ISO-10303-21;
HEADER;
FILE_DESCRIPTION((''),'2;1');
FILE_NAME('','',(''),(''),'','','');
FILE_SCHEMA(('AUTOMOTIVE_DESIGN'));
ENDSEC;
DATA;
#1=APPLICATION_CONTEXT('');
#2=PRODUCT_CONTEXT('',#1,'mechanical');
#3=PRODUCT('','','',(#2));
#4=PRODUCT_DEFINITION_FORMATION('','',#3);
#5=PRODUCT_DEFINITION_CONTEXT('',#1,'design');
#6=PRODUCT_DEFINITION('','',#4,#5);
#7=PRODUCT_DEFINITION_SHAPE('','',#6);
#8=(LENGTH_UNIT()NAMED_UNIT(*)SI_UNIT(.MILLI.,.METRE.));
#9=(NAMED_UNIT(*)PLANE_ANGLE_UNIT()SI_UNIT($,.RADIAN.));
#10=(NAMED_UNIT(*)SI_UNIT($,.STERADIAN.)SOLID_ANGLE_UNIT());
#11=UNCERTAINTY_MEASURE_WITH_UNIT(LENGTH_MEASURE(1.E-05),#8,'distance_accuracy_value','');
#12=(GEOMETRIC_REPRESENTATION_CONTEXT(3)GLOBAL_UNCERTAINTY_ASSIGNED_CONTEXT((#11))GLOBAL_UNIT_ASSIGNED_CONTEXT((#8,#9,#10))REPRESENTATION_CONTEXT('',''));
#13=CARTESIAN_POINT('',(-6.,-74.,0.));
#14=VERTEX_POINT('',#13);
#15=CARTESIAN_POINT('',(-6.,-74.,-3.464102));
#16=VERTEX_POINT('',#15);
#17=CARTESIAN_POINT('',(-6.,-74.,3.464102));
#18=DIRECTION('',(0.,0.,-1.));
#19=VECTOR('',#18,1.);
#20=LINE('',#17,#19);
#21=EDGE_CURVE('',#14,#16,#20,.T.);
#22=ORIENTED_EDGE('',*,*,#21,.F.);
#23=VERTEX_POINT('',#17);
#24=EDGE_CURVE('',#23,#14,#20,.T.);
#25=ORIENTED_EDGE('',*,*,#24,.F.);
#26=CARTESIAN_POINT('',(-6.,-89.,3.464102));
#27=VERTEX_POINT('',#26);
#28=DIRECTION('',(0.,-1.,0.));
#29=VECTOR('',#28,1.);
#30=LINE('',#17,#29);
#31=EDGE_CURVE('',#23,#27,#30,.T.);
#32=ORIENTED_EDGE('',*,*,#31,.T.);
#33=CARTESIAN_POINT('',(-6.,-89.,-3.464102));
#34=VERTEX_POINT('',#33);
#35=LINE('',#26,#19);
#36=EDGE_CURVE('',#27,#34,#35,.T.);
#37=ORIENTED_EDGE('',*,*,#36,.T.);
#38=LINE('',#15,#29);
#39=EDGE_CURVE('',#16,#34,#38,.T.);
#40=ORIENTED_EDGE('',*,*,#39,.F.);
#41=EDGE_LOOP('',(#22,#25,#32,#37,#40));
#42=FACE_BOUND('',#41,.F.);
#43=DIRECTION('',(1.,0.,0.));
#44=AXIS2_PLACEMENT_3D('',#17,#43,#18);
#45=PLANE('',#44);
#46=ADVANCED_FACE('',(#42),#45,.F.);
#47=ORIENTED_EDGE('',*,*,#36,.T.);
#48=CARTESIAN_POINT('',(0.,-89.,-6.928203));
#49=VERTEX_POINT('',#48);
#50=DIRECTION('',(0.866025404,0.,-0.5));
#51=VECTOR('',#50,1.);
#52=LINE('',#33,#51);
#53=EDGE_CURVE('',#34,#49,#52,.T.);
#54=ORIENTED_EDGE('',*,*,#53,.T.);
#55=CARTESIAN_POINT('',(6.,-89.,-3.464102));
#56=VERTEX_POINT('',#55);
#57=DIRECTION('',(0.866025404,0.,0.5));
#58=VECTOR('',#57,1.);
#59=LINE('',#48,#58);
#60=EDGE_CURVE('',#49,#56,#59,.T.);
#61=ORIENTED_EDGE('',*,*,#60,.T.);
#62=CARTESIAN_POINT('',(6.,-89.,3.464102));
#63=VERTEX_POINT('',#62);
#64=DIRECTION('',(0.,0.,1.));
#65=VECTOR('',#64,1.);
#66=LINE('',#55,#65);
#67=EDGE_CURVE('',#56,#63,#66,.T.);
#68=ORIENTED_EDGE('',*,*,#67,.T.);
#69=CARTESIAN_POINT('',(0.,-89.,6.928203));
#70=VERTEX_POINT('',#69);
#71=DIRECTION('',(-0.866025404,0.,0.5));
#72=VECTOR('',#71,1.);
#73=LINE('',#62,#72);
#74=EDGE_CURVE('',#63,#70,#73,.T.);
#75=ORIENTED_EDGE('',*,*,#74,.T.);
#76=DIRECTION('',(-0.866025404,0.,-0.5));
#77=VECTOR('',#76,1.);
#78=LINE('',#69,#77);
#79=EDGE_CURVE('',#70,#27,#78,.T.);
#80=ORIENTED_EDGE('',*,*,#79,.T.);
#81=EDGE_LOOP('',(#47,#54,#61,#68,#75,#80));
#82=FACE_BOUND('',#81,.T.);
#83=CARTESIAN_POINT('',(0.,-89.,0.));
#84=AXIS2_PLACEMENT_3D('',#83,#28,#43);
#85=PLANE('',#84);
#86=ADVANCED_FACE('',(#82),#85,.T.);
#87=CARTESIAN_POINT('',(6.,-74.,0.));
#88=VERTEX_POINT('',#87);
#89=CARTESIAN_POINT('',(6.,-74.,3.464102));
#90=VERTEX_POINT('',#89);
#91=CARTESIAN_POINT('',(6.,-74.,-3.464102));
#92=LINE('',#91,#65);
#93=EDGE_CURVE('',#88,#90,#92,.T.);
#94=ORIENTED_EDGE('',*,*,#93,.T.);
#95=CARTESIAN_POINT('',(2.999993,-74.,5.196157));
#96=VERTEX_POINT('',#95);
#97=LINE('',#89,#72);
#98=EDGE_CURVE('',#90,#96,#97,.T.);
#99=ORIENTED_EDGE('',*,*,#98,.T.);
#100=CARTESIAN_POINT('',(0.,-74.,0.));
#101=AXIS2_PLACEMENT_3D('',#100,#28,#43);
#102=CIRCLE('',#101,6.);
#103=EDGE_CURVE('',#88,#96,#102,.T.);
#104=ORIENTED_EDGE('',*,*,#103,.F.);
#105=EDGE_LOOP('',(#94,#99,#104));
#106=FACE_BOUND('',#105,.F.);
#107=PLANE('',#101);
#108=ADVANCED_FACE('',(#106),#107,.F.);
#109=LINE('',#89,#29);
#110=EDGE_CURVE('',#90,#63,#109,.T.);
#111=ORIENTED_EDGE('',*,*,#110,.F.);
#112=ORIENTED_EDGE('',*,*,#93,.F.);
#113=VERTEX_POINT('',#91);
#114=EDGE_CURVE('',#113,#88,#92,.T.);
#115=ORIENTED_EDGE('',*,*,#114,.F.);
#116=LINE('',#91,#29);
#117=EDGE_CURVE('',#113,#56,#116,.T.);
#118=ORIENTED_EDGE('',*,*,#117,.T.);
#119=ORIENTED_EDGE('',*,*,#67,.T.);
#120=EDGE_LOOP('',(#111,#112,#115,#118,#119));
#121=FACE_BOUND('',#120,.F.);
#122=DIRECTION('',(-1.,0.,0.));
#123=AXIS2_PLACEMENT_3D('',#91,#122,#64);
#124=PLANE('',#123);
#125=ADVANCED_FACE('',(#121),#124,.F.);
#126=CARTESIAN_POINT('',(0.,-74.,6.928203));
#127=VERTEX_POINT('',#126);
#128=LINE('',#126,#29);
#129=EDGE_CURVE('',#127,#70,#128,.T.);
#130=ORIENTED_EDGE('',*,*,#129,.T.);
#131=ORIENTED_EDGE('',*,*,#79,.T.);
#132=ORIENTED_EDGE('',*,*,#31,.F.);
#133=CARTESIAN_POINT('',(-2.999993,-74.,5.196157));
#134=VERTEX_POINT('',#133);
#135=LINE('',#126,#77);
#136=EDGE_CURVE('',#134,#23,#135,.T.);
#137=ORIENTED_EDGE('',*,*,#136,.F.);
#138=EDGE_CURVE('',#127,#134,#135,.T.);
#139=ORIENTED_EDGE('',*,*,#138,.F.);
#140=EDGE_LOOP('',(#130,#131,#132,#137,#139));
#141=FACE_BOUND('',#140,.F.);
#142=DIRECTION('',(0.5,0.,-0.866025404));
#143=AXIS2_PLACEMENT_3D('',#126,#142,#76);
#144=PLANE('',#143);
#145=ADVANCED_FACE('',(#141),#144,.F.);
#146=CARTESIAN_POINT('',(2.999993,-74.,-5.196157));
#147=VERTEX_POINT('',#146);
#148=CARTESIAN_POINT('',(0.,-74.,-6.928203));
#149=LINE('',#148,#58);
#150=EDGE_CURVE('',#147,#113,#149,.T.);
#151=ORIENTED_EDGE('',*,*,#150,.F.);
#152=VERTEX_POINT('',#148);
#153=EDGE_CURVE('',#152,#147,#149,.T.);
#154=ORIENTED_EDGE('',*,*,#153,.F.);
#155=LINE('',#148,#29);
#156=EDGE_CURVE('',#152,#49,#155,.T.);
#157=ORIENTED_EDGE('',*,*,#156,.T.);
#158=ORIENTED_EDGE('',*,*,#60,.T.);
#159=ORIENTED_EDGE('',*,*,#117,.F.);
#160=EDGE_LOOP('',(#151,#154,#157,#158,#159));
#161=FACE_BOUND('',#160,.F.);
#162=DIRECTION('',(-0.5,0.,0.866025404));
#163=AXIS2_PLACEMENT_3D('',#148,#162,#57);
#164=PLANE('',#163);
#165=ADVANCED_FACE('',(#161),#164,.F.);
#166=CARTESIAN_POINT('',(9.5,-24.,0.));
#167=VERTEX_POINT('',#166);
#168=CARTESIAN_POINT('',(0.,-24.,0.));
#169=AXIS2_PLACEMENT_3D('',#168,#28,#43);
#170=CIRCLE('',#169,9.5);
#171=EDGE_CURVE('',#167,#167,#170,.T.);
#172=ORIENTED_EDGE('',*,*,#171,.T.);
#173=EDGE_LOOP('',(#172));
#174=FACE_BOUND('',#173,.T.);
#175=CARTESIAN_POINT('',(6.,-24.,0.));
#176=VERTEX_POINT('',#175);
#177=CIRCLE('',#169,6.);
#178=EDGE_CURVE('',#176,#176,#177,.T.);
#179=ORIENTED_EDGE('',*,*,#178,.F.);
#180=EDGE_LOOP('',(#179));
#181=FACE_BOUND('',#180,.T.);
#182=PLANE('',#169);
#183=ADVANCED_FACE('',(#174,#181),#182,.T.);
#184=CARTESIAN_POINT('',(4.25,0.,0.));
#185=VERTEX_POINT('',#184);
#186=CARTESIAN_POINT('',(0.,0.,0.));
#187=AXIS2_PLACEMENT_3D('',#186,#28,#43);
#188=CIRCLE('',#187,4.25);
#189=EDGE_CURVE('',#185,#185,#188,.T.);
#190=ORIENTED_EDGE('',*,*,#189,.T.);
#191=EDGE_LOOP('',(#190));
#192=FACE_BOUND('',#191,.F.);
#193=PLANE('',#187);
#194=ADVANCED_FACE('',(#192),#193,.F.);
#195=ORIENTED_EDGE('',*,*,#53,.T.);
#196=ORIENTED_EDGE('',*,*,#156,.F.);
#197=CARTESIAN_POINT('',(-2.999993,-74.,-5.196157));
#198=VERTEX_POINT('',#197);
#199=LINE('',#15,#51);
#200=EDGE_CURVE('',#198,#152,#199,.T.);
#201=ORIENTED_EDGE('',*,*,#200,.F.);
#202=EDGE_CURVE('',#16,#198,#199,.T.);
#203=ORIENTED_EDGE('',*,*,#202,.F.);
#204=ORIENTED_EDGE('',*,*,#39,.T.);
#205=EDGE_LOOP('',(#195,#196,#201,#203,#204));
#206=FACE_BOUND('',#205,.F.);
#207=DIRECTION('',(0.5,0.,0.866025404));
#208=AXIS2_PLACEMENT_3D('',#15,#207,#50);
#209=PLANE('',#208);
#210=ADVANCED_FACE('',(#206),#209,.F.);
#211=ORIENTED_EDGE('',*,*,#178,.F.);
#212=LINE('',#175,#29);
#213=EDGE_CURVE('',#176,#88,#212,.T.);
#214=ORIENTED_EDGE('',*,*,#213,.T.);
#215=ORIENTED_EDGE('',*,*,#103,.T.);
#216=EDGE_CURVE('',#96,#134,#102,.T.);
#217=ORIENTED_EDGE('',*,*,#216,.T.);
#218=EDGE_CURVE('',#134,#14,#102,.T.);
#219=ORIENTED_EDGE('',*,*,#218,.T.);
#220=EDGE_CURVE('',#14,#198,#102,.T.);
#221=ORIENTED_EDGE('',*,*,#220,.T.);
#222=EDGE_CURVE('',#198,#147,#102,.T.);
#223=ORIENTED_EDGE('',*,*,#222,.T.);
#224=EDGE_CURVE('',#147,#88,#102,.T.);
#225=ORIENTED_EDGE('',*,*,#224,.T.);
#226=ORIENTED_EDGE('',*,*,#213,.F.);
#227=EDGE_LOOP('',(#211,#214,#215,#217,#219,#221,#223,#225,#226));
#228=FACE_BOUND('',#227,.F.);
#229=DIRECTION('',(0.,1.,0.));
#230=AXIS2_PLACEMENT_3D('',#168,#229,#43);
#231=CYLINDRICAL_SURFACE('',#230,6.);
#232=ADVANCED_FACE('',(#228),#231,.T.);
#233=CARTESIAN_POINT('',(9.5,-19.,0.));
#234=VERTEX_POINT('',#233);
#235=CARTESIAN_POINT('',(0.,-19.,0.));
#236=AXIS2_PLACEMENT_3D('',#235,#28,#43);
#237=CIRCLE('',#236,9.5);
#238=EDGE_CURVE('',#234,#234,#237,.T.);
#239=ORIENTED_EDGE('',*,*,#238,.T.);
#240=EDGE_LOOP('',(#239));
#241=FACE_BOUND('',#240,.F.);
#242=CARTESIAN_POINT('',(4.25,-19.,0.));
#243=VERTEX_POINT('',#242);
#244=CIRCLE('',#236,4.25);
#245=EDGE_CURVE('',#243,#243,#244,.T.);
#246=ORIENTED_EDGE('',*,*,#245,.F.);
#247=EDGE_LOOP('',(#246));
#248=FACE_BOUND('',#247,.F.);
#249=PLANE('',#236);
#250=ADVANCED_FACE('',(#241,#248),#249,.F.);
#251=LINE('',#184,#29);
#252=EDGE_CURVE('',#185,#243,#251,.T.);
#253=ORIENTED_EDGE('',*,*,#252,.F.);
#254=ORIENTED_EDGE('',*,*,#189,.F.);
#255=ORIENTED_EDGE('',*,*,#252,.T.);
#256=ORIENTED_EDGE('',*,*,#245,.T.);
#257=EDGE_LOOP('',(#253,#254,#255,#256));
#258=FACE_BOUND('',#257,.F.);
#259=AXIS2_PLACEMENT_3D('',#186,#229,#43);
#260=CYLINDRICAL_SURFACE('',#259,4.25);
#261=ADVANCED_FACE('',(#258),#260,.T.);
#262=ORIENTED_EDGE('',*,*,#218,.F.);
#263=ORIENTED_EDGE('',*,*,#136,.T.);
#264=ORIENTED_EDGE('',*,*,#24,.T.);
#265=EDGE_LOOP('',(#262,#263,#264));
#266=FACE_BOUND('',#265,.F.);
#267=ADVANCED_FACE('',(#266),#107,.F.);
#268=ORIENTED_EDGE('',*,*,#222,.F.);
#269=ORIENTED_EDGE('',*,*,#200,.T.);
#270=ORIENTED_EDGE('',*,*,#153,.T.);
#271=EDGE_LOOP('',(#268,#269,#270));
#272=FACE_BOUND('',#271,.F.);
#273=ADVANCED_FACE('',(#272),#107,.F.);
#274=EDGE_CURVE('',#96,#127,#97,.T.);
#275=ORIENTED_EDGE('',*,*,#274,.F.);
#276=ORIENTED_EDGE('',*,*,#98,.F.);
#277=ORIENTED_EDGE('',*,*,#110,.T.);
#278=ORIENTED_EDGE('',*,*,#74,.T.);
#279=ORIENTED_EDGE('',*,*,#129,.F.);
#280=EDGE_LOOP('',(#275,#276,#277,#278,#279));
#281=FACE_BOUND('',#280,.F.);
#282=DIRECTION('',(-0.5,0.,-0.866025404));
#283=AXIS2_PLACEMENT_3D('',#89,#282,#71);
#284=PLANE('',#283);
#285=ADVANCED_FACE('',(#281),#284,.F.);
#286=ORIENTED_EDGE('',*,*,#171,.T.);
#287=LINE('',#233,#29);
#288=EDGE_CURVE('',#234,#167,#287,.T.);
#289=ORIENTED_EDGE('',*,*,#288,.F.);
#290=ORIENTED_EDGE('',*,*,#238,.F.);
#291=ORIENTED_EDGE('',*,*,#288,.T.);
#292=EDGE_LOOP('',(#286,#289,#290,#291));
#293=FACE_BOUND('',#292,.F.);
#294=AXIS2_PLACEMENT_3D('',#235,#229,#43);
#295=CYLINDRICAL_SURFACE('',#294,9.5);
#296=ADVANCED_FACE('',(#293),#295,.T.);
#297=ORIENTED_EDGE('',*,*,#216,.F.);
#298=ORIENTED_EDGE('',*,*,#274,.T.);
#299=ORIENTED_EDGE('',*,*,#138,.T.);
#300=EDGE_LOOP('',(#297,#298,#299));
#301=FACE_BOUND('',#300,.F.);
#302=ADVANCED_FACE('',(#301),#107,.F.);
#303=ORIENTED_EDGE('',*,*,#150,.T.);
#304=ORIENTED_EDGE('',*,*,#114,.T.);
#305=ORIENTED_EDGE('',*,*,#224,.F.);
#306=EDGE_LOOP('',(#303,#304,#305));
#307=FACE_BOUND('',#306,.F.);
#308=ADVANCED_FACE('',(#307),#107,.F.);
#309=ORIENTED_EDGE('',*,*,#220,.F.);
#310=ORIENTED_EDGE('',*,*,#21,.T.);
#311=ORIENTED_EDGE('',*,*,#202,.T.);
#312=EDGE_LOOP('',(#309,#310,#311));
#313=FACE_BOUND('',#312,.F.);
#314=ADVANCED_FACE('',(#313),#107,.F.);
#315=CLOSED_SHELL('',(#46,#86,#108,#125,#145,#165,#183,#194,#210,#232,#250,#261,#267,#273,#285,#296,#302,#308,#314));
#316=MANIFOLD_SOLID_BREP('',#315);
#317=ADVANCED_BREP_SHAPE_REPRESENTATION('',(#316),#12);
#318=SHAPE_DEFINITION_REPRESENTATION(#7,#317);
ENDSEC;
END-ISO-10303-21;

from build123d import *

# Parameters (mm, degrees)
F0_R     = 4.25
F1_DEPTH = 19
F2_R     = 9.5
F2_R_2   = 4.25
F3_DEPTH = 5
F4_R     = 6
F5_DEPTH = 50
F7_DEPTH = 15


with BuildPart() as f1:
    # F0 (on Front) → F1 (new body)
    with BuildSketch(Plane.XZ):
        Circle(F0_R)
    extrude(amount=F1_DEPTH)

    # F2 (on face) → F3 (join)
    with BuildSketch(Plane.XZ.offset(19)):
        Circle(F2_R)
        Circle(F2_R_2, mode=Mode.SUBTRACT)
        Circle(F2_R_2)
    extrude(amount=F3_DEPTH)

    # F4 (on face) → F5 (join)
    with BuildSketch(Plane.XZ.offset(24)):
        Circle(F4_R)
    extrude(amount=F5_DEPTH)

    # F6 (on face) → F7 (join)
    with BuildSketch(Plane.XZ.offset(74)):
        Polygon((6, -3.4641016151), (6, 3.4641016151), (0, 6.9282032303), (-6, 3.4641016151), (-6, -3.4641016151), (0, -6.9282032303), align=None)
    extrude(amount=F7_DEPTH)


solid = f1.part
